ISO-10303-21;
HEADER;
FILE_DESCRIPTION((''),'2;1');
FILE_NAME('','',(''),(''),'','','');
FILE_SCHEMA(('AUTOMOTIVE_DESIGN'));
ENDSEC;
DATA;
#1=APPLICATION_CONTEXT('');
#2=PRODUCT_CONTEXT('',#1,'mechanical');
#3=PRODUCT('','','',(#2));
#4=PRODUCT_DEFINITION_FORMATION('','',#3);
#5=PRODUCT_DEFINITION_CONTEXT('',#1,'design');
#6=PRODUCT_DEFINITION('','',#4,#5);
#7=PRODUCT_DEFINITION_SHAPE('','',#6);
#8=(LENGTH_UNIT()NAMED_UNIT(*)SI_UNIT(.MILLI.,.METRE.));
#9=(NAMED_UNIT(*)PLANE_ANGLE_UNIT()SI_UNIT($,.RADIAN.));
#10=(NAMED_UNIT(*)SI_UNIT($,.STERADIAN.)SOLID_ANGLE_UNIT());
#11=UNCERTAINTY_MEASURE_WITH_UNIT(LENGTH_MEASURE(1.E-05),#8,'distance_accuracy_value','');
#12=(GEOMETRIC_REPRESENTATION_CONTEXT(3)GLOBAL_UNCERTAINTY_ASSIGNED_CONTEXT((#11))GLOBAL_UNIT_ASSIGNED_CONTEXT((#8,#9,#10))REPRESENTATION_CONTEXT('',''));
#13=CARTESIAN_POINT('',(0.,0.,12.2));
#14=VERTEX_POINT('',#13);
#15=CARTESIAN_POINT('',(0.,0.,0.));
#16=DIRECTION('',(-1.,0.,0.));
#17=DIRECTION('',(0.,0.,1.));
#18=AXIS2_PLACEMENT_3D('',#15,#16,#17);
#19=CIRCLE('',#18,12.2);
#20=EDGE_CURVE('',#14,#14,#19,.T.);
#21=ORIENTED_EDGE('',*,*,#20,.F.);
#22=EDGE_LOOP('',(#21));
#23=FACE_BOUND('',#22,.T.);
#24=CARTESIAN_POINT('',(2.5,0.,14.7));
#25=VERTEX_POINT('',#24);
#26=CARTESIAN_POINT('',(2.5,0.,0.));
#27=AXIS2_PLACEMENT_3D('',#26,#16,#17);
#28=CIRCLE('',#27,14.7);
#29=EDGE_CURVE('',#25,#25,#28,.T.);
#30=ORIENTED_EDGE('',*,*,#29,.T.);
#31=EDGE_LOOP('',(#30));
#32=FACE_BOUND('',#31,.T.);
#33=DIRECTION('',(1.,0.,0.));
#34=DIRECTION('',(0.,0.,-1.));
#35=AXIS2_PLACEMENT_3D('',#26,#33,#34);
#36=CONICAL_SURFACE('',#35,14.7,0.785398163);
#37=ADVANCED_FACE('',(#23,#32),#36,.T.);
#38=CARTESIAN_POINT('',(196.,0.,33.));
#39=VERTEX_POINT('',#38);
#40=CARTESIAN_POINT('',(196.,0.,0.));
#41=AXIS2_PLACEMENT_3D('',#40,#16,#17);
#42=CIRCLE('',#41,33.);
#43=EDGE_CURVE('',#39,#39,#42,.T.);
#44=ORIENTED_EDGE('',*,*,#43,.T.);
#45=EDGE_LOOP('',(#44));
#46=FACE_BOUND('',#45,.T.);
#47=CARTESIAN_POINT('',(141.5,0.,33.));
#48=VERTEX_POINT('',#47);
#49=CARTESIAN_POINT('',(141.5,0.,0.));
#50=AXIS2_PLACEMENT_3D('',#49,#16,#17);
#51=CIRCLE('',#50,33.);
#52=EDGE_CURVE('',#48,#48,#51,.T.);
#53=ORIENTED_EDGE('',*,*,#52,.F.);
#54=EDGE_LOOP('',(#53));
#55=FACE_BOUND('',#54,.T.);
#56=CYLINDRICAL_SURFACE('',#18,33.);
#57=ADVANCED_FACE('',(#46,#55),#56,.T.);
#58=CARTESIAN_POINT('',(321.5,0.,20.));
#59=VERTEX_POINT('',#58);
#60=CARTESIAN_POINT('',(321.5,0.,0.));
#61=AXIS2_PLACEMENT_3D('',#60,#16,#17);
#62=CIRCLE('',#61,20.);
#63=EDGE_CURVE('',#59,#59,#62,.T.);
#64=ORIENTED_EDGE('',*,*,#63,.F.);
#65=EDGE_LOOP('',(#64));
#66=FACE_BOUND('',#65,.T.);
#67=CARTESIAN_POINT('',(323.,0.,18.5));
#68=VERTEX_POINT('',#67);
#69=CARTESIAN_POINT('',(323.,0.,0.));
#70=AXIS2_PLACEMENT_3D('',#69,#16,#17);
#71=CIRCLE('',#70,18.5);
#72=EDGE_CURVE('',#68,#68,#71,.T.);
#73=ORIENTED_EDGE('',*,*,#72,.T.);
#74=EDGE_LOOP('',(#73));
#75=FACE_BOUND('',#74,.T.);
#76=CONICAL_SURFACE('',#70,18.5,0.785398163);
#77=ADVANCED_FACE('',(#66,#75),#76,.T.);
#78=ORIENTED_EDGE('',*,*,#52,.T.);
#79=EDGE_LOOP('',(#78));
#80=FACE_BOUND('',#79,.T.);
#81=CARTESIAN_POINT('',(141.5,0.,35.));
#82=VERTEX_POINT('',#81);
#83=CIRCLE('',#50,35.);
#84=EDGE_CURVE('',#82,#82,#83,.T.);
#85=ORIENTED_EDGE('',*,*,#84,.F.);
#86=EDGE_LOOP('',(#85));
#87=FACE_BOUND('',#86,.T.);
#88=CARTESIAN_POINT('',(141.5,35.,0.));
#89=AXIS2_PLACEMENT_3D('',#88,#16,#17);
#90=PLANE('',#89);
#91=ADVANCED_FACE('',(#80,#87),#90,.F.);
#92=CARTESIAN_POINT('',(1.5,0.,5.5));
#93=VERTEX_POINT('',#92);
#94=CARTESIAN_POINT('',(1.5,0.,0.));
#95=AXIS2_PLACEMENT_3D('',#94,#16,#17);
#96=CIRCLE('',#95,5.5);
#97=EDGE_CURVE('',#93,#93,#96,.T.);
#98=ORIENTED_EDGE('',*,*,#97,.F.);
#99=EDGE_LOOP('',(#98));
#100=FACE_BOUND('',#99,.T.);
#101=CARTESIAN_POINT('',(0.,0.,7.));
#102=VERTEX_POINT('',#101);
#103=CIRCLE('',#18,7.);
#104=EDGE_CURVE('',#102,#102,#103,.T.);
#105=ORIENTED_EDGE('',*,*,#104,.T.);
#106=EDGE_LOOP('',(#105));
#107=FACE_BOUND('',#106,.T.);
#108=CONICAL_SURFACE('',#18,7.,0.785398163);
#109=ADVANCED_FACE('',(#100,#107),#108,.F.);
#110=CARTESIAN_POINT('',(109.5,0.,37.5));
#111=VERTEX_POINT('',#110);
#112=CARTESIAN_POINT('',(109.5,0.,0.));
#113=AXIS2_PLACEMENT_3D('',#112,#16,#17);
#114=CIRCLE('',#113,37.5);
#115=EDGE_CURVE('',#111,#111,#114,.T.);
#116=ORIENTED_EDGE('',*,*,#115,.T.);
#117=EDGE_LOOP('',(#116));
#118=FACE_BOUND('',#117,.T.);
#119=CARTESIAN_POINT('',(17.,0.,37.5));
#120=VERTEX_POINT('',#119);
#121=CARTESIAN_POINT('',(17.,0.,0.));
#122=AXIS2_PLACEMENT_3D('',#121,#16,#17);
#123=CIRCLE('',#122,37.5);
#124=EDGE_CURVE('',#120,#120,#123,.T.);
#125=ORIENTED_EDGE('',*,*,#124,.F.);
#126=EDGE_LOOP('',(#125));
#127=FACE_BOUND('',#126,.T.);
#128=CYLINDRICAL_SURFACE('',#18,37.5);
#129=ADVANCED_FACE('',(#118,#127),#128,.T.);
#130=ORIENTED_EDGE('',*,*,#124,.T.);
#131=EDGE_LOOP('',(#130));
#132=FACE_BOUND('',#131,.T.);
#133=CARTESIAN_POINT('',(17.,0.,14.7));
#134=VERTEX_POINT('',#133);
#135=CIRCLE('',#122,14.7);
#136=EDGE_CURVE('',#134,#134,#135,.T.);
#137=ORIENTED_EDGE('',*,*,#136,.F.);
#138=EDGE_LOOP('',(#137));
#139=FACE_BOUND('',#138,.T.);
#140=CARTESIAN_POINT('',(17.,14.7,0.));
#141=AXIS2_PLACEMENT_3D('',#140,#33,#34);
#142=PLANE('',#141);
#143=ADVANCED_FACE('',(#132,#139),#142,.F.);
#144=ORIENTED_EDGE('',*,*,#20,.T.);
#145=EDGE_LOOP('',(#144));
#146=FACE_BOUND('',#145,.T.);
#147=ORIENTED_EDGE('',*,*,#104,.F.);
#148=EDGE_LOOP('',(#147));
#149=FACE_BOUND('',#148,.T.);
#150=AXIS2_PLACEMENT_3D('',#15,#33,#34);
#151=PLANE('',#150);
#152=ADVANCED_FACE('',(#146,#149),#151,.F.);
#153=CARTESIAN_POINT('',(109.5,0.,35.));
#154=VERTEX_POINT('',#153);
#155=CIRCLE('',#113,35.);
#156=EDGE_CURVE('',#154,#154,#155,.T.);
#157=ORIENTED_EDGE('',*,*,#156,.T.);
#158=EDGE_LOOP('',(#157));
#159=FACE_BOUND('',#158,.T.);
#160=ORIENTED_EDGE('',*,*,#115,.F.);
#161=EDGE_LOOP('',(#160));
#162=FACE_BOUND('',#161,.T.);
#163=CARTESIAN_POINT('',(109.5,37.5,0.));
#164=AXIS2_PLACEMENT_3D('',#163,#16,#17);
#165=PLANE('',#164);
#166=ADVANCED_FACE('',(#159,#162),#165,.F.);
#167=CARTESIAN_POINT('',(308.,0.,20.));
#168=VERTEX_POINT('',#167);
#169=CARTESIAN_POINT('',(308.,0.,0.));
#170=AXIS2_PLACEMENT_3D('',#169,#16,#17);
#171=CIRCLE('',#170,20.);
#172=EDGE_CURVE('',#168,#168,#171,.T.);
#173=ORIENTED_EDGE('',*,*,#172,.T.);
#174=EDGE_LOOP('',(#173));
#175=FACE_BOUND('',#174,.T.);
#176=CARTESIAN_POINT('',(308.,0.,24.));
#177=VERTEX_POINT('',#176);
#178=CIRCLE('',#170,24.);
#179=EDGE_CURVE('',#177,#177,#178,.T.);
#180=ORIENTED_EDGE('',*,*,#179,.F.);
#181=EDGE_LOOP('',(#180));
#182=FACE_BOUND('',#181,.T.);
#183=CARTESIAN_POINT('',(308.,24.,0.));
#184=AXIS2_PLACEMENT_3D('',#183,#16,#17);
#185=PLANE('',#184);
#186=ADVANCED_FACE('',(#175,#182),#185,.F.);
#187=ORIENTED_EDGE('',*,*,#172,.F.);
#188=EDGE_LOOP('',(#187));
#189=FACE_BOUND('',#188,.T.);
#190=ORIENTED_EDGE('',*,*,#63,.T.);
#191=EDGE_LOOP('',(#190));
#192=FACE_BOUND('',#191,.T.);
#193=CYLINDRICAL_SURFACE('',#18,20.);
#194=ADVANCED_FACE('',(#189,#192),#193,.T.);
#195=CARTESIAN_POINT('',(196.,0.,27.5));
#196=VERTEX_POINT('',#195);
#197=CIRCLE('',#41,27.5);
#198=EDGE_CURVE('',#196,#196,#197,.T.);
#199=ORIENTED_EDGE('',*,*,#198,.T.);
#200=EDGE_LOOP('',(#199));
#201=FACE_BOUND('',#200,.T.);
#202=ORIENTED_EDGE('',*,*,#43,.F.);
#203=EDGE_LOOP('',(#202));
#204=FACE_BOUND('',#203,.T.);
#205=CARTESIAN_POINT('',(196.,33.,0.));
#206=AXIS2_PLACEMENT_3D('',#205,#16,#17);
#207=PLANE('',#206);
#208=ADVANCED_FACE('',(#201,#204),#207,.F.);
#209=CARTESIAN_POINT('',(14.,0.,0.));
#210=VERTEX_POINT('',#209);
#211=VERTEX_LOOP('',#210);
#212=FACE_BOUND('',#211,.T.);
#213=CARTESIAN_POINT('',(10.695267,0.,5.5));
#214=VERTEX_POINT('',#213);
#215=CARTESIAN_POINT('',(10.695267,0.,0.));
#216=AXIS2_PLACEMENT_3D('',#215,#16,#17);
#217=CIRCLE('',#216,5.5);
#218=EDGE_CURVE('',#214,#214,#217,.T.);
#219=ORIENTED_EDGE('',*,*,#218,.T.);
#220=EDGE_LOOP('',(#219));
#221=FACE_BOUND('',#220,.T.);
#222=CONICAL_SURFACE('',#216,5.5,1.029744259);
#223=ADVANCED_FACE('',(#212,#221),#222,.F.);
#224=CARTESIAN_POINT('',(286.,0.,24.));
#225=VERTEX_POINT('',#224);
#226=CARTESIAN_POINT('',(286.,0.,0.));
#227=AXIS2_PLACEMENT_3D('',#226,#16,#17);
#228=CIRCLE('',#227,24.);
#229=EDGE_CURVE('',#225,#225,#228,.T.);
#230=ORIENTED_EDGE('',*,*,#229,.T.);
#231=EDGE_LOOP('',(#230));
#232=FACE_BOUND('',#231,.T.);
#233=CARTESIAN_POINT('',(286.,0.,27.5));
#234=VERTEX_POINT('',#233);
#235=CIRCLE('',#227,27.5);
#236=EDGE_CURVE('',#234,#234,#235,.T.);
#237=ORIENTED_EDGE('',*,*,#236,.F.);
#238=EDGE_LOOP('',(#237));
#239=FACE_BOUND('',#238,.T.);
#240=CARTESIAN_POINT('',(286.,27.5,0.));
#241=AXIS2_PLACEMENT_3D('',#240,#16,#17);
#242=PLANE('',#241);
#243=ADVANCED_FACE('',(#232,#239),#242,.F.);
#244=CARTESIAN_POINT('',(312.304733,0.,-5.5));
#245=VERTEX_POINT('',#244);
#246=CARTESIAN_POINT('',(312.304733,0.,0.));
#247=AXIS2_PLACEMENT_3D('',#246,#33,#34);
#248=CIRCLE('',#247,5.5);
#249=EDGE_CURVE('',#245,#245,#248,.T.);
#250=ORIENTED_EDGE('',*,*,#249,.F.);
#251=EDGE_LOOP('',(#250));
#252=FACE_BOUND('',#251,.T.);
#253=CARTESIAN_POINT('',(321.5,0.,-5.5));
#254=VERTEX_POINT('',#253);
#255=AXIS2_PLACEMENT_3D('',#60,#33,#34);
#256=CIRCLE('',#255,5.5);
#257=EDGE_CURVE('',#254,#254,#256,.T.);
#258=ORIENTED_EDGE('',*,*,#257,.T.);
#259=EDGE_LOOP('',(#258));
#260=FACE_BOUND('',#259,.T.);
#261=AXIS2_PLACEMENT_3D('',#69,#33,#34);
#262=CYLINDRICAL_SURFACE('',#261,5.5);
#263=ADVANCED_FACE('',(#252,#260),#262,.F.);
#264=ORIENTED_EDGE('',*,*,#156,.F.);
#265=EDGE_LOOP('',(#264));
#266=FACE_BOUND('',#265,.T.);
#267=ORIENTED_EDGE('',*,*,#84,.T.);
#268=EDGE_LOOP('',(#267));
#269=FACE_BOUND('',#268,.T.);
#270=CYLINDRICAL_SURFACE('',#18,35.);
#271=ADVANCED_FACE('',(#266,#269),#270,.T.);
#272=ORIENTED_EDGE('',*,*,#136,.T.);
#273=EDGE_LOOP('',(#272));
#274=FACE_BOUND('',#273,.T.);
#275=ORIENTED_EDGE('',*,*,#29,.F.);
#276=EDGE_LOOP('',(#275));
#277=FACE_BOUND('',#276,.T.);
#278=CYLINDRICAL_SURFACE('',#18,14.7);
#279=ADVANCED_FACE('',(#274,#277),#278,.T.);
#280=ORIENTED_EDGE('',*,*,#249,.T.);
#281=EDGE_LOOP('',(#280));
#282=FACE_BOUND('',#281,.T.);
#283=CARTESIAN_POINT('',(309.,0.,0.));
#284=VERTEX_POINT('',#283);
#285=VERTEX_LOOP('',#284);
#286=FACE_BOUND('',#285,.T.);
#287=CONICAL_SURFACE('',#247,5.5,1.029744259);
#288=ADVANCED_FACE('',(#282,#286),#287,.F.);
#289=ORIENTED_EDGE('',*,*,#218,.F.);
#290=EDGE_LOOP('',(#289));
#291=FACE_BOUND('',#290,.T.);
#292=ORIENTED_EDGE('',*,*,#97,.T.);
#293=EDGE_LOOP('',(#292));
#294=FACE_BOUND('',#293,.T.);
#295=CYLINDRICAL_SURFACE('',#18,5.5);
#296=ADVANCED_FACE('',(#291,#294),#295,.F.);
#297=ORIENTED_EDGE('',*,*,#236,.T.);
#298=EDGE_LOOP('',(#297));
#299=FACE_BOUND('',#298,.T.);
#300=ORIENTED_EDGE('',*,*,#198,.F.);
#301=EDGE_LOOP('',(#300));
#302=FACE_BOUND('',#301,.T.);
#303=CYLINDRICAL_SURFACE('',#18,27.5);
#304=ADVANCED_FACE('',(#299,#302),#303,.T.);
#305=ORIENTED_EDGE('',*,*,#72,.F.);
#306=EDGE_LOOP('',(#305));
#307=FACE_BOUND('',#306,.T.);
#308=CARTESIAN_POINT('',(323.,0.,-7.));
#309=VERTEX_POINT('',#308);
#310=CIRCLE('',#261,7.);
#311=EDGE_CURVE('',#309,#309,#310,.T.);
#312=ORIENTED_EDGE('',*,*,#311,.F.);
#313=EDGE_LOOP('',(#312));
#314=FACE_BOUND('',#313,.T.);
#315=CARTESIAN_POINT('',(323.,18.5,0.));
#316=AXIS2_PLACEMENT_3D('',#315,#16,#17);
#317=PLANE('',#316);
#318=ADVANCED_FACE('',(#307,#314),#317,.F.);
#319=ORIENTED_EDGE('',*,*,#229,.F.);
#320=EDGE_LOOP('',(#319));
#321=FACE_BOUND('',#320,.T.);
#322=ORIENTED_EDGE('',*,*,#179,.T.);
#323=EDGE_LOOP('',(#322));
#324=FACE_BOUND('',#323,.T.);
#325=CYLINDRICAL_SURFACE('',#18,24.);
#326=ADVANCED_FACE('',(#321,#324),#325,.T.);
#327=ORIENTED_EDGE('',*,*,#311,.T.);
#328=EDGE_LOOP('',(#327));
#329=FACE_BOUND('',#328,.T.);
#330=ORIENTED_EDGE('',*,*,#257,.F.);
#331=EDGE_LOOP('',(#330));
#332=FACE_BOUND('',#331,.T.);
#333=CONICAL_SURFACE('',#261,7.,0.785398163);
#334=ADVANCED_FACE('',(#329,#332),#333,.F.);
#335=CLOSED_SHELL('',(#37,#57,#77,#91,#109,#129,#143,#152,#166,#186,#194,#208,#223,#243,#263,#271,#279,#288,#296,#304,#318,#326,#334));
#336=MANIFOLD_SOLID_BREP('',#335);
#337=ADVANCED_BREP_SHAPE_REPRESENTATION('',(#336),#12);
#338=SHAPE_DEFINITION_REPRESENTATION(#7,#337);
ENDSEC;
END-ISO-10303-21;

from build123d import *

# Parameters (mm, degrees)
CSK_FOR_M10_COUNTERSUNK_FLAT_HEAD_SCREW1_D           = 11
CSK_FOR_M10_COUNTERSUNK_FLAT_HEAD_SCREW1_DEPTH       = 10.695266595
CSK_FOR_M10_COUNTERSUNK_FLAT_HEAD_SCREW1_CSINK_D     = 14
CSK_FOR_M10_COUNTERSUNK_FLAT_HEAD_SCREW1_CSINK_ANGLE = 90
CSK_FOR_M10_COUNTERSUNK_FLAT_HEAD_SCREW1_TIP         = 3.304733405
CSK_FOR_M10_COUNTERSUNK_FLAT_HEAD_SCREW2_D           = 11
CSK_FOR_M10_COUNTERSUNK_FLAT_HEAD_SCREW2_DEPTH       = 10.695266595
CSK_FOR_M10_COUNTERSUNK_FLAT_HEAD_SCREW2_CSINK_D     = 14
CSK_FOR_M10_COUNTERSUNK_FLAT_HEAD_SCREW2_CSINK_ANGLE = 90
CSK_FOR_M10_COUNTERSUNK_FLAT_HEAD_SCREW2_TIP         = 3.304733405


with BuildPart() as part:
    # Sketch1 → Revolve1 (revolve)
    with BuildSketch(Plane.XY):
        Polygon((0, 0), (0, 12.2), (2.5, 14.7), (17, 14.7), (17, 37.5), (109.5, 37.5), (109.5, 35), (141.5, 35), (141.5, 33), (196, 33), (196, 27.5), (286, 27.5), (286, 24), (308, 24), (308, 20), (321.5, 20), (323, 18.5), (323, 0), align=None)
    revolve(axis=Axis((0, 0, 0), (1, 0, 0)))

    # CSK for M10 Countersunk Flat Head Screw1
    with Locations(Plane.ZY):
        with Locations((0, 0)):
            CounterSinkHole(CSK_FOR_M10_COUNTERSUNK_FLAT_HEAD_SCREW1_D / 2, CSK_FOR_M10_COUNTERSUNK_FLAT_HEAD_SCREW1_CSINK_D / 2, depth=CSK_FOR_M10_COUNTERSUNK_FLAT_HEAD_SCREW1_DEPTH, counter_sink_angle=CSK_FOR_M10_COUNTERSUNK_FLAT_HEAD_SCREW1_CSINK_ANGLE)
            with Locations((0, 0, -(CSK_FOR_M10_COUNTERSUNK_FLAT_HEAD_SCREW1_DEPTH + CSK_FOR_M10_COUNTERSUNK_FLAT_HEAD_SCREW1_TIP / 2))):  # 118° drill point
                Cone(0, CSK_FOR_M10_COUNTERSUNK_FLAT_HEAD_SCREW1_D / 2, CSK_FOR_M10_COUNTERSUNK_FLAT_HEAD_SCREW1_TIP, mode=Mode.SUBTRACT)

    # CSK for M10 Countersunk Flat Head Screw2
    with Locations(Plane(origin=(323, 0, 0), x_dir=(0, 0, -1), z_dir=(1, 0, 0))):
        with Locations((0, 0)):
            CounterSinkHole(CSK_FOR_M10_COUNTERSUNK_FLAT_HEAD_SCREW2_D / 2, CSK_FOR_M10_COUNTERSUNK_FLAT_HEAD_SCREW2_CSINK_D / 2, depth=CSK_FOR_M10_COUNTERSUNK_FLAT_HEAD_SCREW2_DEPTH, counter_sink_angle=CSK_FOR_M10_COUNTERSUNK_FLAT_HEAD_SCREW2_CSINK_ANGLE)
            with Locations((0, 0, -(CSK_FOR_M10_COUNTERSUNK_FLAT_HEAD_SCREW2_DEPTH + CSK_FOR_M10_COUNTERSUNK_FLAT_HEAD_SCREW2_TIP / 2))):  # 118° drill point
                Cone(0, CSK_FOR_M10_COUNTERSUNK_FLAT_HEAD_SCREW2_D / 2, CSK_FOR_M10_COUNTERSUNK_FLAT_HEAD_SCREW2_TIP, mode=Mode.SUBTRACT)


solid = part.part
